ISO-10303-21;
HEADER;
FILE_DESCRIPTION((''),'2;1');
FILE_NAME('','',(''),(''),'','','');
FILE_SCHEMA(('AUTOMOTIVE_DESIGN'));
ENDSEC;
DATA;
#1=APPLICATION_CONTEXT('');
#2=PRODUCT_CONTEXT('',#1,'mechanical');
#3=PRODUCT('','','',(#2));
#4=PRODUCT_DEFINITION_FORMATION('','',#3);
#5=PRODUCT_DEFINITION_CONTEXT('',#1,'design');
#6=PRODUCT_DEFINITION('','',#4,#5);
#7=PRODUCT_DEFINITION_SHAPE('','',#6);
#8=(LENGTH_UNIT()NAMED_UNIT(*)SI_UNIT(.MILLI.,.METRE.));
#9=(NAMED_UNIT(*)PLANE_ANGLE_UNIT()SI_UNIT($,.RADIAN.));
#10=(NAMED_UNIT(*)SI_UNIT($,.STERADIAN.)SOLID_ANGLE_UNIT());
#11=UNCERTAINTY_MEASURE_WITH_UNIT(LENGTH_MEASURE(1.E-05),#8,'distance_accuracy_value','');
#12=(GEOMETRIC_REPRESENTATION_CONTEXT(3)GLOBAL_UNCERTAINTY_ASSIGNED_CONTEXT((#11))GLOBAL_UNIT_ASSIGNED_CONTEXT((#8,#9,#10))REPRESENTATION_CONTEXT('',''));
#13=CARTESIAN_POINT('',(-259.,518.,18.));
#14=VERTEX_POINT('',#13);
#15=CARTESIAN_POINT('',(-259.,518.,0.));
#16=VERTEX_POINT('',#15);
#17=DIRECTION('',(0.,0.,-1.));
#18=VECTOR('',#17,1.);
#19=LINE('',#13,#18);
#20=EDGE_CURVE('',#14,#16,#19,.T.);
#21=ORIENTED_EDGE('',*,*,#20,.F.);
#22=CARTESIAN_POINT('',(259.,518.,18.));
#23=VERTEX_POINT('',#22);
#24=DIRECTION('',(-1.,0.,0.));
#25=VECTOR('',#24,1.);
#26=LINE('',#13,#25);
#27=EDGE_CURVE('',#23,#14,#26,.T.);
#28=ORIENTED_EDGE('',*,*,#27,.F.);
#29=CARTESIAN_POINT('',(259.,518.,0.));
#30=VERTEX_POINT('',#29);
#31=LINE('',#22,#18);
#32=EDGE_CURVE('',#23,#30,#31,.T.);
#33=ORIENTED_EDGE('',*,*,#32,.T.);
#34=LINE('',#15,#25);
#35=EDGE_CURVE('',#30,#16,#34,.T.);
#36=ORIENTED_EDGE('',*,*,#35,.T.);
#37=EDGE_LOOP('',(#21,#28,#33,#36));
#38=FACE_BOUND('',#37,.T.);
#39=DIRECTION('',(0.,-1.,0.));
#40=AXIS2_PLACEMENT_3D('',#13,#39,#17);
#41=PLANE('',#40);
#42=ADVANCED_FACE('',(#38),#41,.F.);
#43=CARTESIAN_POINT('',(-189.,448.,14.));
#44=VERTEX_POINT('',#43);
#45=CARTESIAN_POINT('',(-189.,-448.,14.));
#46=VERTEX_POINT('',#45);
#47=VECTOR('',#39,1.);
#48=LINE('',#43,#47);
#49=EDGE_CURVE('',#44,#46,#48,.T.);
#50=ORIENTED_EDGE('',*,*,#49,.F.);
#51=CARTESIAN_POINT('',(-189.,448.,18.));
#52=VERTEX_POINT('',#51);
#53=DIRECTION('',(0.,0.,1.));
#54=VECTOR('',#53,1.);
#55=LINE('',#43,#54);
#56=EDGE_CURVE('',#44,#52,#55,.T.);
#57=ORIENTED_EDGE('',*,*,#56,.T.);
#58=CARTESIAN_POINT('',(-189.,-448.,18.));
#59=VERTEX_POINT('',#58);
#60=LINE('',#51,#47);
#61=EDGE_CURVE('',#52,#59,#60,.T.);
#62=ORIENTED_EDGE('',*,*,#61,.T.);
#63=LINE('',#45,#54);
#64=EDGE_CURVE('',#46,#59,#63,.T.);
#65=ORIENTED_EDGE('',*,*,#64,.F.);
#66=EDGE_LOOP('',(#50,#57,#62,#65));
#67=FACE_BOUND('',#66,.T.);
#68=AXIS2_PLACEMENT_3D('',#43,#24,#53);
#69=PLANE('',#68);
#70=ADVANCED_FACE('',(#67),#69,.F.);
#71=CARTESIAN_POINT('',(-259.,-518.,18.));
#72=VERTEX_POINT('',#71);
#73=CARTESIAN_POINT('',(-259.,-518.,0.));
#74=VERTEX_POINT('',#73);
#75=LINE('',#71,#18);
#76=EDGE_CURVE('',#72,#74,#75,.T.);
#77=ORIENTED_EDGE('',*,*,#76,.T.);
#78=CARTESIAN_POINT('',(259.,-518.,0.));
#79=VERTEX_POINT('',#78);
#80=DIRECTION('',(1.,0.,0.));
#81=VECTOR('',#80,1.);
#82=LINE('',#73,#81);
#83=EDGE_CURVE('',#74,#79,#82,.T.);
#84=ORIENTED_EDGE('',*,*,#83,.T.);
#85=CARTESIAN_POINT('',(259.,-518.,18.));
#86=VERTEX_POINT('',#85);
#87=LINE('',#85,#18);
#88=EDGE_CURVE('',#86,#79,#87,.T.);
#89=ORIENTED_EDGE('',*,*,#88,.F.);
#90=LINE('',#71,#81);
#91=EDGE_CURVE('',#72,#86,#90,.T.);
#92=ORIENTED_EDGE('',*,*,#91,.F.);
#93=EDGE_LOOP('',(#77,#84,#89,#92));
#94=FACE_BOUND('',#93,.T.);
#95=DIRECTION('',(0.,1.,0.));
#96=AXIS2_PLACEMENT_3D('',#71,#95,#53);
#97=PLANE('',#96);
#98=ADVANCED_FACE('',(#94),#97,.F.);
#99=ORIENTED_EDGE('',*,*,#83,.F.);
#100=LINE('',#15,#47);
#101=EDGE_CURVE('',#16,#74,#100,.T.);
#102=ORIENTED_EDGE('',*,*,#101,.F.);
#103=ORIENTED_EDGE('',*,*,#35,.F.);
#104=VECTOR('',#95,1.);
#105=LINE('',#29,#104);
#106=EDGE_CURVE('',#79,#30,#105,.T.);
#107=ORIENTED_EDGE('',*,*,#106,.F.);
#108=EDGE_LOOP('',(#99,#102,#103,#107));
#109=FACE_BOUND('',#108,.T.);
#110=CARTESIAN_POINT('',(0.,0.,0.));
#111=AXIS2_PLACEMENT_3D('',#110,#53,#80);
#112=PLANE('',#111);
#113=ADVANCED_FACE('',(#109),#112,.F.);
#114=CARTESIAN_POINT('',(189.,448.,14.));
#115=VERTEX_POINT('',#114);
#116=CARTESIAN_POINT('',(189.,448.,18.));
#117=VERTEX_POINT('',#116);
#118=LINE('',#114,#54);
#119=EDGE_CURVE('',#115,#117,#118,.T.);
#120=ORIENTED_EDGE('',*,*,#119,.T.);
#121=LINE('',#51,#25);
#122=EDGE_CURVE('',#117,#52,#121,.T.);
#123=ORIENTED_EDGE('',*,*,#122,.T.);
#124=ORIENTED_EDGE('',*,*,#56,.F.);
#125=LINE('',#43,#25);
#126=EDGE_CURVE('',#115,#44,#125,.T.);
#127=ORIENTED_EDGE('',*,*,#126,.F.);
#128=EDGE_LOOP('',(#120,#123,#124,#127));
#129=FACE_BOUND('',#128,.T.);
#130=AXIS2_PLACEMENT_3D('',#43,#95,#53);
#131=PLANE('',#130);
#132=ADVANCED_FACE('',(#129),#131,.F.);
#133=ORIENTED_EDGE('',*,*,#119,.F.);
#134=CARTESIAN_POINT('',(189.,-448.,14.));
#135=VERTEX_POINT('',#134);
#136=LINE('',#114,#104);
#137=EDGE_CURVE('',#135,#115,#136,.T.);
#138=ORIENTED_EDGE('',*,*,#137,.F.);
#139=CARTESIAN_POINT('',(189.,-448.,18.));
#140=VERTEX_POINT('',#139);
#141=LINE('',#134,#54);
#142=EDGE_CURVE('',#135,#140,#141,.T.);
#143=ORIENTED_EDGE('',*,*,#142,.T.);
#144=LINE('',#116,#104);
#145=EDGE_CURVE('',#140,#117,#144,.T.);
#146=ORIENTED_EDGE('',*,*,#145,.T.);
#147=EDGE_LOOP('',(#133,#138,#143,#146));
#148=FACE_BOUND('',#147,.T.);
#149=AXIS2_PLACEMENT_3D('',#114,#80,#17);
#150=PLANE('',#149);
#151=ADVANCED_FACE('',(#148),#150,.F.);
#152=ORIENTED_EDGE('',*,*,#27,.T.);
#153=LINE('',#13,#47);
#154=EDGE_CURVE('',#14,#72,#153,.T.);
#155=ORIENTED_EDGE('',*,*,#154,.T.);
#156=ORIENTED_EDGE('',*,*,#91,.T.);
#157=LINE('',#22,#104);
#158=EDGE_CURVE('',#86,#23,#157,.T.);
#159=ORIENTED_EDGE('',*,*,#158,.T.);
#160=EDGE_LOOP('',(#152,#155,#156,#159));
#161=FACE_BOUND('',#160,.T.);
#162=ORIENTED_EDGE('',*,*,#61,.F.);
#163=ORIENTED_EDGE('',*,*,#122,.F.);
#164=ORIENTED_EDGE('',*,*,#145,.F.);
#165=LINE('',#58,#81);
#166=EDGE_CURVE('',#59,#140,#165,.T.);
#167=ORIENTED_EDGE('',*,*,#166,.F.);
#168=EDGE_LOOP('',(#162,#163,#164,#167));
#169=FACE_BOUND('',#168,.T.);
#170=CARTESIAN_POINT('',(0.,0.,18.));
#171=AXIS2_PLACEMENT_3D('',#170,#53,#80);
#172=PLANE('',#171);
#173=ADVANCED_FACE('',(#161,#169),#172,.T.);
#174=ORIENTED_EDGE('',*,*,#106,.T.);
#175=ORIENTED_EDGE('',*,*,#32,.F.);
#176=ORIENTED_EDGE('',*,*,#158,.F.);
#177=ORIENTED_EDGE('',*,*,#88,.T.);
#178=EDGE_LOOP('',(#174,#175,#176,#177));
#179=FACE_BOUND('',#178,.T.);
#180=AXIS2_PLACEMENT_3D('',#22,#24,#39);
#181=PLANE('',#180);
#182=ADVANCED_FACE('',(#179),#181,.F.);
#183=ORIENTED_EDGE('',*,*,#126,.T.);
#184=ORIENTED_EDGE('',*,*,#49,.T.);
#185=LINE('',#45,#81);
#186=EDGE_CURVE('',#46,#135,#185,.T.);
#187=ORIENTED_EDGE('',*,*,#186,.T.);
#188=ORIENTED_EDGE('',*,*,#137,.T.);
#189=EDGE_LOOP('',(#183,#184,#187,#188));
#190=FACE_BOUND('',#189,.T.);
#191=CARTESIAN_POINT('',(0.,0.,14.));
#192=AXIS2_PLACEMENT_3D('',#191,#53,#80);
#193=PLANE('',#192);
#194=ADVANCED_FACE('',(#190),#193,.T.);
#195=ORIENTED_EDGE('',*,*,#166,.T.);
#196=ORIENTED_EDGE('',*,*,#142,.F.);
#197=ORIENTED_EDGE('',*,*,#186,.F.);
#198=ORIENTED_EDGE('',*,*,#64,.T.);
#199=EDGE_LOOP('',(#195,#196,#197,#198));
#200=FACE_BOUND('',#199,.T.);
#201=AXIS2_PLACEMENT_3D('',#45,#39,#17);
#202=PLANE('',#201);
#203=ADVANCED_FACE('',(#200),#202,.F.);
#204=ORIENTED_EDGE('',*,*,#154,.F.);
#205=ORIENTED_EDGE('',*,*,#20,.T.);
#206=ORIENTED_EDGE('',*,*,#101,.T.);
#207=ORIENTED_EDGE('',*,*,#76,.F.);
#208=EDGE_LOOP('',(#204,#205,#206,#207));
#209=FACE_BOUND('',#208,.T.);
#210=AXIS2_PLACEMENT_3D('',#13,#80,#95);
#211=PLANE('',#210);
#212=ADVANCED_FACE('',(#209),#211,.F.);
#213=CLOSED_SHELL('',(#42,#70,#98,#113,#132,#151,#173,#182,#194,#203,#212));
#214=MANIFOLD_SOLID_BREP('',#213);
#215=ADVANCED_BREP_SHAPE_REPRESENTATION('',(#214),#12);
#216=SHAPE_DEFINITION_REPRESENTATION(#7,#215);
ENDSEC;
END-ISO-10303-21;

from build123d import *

# Parameters (mm, degrees)
SKETCH1_W           = 518
SKETCH1_H           = 1036
BOSS_EXTRUDE1_DEPTH = 18
SKETCH2_W           = 378
SKETCH2_H           = 896
CUT_EXTRUDE1_DEPTH  = 4


with BuildPart() as part:
    # Sketch1 → Boss-Extrude1 (new body)
    with BuildSketch(Plane.XY):
        Rectangle(SKETCH1_W, SKETCH1_H)
    extrude(amount=BOSS_EXTRUDE1_DEPTH)

    # Sketch2 → Cut-Extrude1 (cut)
    with BuildSketch(Plane.XY.offset(18)):
        Rectangle(SKETCH2_W, SKETCH2_H)
    extrude(amount=-CUT_EXTRUDE1_DEPTH, mode=Mode.SUBTRACT)


solid = part.part
